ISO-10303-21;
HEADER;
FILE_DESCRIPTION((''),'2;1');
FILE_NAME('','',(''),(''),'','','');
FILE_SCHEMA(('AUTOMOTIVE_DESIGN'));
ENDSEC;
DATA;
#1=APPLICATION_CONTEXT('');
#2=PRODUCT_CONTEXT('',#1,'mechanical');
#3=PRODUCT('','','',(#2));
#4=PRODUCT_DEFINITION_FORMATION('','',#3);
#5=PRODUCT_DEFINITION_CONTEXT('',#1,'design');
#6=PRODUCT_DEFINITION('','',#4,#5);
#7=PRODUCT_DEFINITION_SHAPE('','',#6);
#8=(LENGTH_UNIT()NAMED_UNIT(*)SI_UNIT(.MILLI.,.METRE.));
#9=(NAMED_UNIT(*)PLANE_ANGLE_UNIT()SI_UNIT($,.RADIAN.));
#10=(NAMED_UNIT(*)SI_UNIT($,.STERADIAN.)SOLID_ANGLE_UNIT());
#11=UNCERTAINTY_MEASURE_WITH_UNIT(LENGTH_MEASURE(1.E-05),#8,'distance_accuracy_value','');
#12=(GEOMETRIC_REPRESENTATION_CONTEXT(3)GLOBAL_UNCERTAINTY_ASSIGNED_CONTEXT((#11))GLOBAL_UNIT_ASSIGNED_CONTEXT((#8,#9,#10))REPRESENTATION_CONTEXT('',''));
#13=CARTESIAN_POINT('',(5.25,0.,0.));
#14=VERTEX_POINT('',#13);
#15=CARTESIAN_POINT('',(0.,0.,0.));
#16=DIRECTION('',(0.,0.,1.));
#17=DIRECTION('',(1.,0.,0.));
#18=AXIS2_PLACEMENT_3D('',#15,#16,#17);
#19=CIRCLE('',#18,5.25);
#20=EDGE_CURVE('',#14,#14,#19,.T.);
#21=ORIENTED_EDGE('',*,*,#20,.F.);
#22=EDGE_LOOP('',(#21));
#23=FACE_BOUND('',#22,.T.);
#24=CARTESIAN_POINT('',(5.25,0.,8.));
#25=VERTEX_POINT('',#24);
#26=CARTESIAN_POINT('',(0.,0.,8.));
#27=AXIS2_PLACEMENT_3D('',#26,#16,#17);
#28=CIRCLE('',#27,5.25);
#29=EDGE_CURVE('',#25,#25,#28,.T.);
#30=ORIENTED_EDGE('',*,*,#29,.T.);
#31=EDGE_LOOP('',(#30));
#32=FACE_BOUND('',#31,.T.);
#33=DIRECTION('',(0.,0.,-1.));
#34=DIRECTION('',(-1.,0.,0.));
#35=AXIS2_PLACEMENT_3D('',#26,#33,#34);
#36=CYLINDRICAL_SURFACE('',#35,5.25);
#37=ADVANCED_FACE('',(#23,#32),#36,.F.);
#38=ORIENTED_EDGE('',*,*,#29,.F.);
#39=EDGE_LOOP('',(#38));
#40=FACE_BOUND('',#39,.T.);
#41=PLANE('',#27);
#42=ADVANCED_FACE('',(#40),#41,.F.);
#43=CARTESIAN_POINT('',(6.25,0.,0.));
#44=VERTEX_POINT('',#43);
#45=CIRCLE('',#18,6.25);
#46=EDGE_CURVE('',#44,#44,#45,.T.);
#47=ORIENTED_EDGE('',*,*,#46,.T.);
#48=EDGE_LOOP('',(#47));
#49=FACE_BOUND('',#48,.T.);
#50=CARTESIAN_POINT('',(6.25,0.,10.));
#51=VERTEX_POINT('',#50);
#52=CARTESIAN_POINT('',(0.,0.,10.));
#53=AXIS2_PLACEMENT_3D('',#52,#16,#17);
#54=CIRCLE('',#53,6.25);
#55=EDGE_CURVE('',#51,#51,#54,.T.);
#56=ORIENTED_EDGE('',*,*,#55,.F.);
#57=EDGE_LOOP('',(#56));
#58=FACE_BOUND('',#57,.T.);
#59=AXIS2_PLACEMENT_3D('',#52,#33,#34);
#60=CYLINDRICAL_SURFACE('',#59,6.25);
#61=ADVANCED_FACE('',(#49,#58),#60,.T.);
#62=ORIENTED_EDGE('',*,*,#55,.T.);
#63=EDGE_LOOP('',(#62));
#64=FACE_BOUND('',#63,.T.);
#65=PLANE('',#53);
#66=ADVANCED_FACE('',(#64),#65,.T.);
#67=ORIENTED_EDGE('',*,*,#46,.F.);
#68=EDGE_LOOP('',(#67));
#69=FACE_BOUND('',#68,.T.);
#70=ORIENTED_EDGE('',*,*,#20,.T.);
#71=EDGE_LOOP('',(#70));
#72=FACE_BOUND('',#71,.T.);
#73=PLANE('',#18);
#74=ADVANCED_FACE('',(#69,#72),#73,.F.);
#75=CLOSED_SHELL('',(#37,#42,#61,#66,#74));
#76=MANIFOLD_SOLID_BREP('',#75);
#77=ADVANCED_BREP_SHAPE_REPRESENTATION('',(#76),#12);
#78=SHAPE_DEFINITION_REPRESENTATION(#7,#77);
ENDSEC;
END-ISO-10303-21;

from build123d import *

# Parameters (mm, degrees)
SKETCH1_R           = 6.25
BOSS_EXTRUDE1_DEPTH = 10
SKETCH1_3_R         = 5.25
CUT_EXTRUDE1_DEPTH  = 8


with BuildPart() as part:
    # Sketch1 → Boss-Extrude1 (new body)
    with BuildSketch(Plane.XY):
        Circle(SKETCH1_R)
    extrude(amount=BOSS_EXTRUDE1_DEPTH)

    # Sketch1<3> → Cut-Extrude1 (cut)
    with BuildSketch(Plane.XY):
        Circle(SKETCH1_3_R)
    extrude(amount=CUT_EXTRUDE1_DEPTH, mode=Mode.SUBTRACT)


solid = part.part
